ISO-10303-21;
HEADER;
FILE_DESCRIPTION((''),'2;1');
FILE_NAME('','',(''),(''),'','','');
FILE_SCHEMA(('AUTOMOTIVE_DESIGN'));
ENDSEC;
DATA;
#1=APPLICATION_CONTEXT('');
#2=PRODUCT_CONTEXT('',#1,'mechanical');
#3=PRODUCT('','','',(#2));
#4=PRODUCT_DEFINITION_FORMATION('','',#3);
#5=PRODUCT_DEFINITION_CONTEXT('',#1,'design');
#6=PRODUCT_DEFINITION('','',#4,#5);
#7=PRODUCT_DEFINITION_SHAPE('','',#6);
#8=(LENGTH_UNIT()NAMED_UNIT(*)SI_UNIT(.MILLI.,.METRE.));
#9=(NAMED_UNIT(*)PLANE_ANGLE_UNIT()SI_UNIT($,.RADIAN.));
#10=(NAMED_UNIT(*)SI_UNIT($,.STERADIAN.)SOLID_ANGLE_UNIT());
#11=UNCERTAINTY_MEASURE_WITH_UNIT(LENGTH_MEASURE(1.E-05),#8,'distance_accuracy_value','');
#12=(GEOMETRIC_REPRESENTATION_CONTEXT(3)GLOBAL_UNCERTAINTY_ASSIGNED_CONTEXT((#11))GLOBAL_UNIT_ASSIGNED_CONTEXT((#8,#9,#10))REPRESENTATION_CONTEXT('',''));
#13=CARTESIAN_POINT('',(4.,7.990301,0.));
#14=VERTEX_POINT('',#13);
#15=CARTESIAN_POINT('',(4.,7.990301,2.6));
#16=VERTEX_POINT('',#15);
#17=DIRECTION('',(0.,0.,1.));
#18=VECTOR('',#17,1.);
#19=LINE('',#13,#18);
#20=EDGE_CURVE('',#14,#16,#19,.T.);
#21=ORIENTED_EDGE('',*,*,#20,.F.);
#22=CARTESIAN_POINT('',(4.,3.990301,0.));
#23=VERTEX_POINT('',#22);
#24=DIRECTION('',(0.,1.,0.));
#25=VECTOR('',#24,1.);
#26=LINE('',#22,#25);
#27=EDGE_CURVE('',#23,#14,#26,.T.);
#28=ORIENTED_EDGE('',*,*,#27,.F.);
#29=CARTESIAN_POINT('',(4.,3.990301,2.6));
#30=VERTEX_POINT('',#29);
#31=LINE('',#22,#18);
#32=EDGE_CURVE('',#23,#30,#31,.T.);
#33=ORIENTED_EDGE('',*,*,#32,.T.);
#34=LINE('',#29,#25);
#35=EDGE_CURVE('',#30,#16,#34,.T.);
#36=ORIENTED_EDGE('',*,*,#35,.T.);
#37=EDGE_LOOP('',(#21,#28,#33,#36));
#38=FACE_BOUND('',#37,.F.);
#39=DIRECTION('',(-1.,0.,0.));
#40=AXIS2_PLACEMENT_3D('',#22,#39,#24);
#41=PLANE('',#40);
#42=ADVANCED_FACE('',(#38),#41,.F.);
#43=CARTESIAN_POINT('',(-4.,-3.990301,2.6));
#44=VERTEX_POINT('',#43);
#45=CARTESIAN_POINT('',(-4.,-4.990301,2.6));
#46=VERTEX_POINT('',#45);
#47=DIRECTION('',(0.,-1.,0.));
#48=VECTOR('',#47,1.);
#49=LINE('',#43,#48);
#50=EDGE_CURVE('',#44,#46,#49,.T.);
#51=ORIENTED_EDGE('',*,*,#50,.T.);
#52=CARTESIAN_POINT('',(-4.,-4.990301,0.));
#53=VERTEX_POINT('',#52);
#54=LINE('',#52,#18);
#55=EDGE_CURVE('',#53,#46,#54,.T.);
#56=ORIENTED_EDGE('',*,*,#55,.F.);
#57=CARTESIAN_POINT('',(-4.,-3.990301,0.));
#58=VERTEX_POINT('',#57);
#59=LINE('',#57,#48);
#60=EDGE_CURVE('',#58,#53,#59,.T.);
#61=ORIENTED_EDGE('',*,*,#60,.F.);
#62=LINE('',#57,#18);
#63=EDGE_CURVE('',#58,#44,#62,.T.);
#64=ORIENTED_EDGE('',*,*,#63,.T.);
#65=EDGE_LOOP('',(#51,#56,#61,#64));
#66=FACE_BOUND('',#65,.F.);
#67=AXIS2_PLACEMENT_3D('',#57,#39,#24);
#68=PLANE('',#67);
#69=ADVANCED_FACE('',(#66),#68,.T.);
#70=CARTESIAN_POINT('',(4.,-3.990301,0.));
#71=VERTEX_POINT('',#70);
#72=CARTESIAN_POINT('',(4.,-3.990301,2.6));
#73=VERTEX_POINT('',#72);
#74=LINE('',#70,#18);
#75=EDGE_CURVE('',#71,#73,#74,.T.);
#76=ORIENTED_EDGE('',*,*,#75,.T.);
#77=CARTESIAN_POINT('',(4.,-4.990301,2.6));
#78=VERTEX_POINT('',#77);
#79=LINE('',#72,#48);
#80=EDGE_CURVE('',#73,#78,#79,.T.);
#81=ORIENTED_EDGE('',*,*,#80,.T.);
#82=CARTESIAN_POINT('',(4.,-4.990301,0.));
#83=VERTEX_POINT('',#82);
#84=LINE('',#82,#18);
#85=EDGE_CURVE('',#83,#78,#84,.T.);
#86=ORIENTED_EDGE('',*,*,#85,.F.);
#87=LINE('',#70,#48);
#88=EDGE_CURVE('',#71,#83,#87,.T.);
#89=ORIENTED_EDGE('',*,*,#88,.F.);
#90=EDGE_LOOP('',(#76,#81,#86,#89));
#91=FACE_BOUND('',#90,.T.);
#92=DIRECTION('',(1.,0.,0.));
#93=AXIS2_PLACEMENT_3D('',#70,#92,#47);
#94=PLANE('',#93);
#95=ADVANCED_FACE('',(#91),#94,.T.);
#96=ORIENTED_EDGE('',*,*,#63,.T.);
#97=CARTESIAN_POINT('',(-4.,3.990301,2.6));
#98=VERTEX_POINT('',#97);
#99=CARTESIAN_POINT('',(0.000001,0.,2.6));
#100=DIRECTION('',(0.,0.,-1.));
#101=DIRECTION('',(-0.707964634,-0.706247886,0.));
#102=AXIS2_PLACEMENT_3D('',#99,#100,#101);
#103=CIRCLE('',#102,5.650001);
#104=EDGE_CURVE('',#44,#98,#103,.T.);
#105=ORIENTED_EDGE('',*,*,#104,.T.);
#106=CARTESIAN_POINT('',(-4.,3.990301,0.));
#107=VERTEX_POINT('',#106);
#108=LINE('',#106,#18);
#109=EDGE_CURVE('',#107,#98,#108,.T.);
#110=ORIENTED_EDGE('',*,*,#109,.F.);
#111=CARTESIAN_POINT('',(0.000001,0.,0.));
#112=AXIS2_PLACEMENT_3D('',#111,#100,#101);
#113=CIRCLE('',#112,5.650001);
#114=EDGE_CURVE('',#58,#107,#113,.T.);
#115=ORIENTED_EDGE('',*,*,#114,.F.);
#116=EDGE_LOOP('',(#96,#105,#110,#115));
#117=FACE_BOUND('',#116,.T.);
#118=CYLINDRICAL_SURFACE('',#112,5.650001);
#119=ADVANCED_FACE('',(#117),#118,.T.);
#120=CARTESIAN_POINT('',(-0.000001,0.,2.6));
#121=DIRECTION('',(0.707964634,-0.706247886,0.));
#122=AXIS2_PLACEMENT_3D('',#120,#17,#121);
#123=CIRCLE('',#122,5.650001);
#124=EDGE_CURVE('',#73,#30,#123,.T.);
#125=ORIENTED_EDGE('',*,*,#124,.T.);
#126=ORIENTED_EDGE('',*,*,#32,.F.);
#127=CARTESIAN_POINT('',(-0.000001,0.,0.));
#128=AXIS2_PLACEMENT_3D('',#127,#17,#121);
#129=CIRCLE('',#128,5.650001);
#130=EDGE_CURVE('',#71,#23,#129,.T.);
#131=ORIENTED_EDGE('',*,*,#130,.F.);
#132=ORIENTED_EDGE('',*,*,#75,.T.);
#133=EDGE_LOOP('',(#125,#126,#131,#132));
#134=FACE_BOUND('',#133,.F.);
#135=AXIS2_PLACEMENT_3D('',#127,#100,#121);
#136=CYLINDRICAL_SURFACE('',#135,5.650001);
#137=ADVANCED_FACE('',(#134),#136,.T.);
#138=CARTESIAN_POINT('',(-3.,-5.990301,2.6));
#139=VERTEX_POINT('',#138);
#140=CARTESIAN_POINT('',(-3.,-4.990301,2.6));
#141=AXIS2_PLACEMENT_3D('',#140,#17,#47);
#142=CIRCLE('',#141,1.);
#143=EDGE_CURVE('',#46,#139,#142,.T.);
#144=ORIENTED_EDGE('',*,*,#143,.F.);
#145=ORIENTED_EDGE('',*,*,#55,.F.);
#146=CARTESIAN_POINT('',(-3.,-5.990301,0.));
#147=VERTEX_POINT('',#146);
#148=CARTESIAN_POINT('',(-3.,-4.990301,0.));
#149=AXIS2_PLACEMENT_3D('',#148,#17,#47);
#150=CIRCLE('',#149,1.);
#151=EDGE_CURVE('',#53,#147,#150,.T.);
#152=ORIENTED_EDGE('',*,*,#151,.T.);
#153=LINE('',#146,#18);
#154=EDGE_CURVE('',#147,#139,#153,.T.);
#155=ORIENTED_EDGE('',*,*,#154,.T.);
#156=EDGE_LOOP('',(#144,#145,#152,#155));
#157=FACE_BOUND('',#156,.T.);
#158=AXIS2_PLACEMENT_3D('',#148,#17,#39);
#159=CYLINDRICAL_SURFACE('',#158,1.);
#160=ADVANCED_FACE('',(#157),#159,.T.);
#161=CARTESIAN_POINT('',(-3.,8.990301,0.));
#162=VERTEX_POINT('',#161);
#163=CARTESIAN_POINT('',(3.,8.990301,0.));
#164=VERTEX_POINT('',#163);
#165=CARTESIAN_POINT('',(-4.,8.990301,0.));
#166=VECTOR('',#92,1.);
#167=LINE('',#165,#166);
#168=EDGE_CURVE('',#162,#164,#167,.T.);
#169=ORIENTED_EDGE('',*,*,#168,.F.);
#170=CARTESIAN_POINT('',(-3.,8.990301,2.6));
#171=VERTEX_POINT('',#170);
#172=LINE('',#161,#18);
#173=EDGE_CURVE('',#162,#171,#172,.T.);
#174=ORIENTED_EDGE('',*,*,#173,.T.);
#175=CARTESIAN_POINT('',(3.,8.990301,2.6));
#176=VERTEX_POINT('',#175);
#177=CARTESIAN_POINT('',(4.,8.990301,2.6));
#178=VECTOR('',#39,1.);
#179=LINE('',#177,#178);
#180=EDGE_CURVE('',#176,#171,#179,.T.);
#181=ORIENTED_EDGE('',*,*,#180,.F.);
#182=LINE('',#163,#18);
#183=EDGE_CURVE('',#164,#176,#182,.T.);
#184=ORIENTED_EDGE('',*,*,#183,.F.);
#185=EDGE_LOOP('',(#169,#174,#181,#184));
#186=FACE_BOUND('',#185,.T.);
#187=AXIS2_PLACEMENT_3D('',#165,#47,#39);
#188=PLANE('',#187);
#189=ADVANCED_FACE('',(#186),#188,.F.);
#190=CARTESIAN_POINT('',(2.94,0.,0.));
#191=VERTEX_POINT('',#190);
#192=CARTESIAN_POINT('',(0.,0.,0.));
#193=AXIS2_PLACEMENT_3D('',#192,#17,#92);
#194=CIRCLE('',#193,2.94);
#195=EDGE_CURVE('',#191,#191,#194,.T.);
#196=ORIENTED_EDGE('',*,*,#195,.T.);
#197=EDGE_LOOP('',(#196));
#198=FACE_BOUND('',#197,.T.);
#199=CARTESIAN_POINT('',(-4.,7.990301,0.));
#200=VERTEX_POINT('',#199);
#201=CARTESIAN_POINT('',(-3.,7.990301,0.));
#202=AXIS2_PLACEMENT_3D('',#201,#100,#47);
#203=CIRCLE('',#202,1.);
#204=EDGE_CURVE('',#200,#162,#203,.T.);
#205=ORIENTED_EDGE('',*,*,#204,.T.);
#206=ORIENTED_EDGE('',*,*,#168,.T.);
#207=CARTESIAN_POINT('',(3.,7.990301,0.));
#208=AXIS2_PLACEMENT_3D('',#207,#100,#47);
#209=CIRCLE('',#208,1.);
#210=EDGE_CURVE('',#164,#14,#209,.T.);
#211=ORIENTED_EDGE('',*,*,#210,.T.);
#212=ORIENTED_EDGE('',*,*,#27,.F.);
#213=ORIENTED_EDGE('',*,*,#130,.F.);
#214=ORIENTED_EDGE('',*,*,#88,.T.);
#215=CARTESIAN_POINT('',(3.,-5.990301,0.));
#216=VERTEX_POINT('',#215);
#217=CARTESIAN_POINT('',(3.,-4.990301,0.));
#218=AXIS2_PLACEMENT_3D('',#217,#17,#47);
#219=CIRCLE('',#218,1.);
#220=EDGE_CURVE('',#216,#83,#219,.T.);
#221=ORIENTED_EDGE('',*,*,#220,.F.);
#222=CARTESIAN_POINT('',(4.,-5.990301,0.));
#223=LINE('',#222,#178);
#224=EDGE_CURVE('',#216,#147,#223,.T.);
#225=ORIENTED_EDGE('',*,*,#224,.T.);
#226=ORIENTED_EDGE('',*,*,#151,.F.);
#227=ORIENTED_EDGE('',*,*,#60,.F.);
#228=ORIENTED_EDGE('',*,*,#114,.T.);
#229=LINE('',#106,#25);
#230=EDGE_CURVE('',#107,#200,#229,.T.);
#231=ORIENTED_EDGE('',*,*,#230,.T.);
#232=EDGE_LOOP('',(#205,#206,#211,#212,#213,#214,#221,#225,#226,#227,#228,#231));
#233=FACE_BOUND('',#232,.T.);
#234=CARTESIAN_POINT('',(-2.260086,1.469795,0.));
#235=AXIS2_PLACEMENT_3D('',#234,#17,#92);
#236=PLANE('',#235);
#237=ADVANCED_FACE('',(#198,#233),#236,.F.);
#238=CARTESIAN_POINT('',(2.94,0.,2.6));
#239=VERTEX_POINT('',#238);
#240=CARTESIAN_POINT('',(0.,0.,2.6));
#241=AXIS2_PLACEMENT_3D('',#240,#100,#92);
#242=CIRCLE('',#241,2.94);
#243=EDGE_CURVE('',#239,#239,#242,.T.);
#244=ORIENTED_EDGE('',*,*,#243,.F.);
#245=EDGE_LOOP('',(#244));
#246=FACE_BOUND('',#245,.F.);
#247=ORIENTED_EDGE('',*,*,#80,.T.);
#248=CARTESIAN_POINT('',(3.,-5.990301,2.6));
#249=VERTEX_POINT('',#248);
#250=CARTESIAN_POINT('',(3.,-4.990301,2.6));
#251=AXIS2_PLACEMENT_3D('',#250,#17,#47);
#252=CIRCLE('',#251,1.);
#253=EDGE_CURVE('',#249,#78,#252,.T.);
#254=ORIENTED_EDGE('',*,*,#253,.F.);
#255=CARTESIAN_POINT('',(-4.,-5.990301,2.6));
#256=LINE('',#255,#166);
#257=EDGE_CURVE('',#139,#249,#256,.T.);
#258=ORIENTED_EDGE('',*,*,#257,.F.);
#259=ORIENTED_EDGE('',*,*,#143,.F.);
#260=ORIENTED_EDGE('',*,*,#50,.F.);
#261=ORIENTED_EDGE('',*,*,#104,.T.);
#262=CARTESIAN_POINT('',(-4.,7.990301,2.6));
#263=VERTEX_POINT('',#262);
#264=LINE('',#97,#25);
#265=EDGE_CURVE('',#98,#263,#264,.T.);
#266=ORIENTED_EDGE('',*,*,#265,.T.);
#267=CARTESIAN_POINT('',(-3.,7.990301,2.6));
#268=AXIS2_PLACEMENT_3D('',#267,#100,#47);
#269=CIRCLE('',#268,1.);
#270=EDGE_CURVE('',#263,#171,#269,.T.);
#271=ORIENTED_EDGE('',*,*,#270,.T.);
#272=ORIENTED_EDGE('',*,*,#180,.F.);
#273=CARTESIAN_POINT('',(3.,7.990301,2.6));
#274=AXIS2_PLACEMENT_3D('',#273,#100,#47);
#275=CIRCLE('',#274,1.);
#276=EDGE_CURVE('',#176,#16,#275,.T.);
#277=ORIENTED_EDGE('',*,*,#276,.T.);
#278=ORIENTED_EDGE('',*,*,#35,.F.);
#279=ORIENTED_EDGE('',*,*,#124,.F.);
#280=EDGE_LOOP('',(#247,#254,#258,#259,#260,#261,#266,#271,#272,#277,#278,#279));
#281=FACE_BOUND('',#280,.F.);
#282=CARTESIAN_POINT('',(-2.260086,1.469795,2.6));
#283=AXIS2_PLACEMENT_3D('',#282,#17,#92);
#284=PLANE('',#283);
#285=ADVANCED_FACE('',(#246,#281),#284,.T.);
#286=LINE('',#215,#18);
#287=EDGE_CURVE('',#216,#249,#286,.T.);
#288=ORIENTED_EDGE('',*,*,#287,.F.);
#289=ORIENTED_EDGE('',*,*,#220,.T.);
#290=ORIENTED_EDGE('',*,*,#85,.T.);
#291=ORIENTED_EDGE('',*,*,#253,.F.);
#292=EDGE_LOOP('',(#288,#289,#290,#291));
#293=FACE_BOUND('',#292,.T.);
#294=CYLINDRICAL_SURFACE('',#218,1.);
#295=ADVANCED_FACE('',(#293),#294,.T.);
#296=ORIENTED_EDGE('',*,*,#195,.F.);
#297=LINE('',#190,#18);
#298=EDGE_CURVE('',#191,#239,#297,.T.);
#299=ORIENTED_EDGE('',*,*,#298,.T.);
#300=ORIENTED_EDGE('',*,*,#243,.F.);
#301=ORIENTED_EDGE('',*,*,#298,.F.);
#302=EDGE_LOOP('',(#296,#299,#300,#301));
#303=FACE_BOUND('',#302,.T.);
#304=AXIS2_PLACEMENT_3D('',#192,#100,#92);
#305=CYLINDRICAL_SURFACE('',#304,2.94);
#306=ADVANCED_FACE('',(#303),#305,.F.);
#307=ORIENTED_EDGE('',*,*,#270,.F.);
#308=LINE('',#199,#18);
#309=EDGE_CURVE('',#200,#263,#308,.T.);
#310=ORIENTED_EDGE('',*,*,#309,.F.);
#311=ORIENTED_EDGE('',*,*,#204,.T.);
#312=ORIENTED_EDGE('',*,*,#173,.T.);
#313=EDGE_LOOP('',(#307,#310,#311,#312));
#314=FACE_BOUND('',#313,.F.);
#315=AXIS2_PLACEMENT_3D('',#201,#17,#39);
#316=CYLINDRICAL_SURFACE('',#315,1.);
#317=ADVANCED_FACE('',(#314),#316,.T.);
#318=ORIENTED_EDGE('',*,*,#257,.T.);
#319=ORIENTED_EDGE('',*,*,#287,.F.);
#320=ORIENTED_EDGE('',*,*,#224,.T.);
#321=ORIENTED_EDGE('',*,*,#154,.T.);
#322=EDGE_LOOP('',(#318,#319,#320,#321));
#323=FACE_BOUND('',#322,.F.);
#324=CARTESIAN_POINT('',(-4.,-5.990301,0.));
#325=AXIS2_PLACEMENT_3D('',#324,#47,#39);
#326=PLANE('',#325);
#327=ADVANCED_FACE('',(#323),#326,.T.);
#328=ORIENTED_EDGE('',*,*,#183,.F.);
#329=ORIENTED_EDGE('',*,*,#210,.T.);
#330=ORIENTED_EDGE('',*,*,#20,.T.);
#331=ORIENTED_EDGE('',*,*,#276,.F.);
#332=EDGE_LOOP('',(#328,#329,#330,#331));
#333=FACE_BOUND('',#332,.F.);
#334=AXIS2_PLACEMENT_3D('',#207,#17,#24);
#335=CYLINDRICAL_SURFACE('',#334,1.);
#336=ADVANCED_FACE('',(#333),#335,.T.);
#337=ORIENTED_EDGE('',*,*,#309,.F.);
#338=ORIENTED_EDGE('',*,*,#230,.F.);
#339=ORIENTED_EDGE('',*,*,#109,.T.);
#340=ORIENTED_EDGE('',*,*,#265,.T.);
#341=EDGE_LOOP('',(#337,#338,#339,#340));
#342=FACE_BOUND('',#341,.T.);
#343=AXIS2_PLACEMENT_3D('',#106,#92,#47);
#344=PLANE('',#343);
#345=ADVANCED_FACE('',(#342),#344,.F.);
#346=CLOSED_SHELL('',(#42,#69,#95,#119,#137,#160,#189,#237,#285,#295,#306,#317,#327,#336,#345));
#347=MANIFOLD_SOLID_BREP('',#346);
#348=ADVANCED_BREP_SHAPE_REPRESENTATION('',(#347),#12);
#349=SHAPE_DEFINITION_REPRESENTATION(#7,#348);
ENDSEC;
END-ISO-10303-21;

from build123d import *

# Parameters (mm, degrees)
PAD_DEPTH    = 2.6
SKETCH001_R  = 2.94
POCKET_DEPTH = 2.601
FILLET_R     = 1


with BuildPart() as part:
    # Sketch (on XY_Plane of Origin) → Pad (new body)
    with BuildSketch(Plane.XY):
        with BuildLine():
            ThreePointArc((4, -3.990301), (5.65, 0), (4, 3.990301))
            Line((4, 3.990301), (4, 8.990301))
            Line((4, 8.990301), (0, 8.990301))
            Line((0, 8.990301), (0, -5.990301))
            Line((4, -5.990301), (0, -5.990301))
            Line((4, -3.990301), (4, -5.990301))
        make_face()
    pad = extrude(amount=PAD_DEPTH)

    # Mirrored: Pad across Sketch V_Axis
    add(pad.mirror(Plane(origin=(0, 0, 0), x_dir=(0, 0, 1), z_dir=(1, 0, 0))))

    # Sketch001 (on XY_Plane of Origin) → Pocket (cut, through all)
    with BuildSketch(Plane.XY):
        Circle(SKETCH001_R)
    extrude(amount=POCKET_DEPTH, mode=Mode.SUBTRACT)

    # Fillet
    fillet_edges = [part.edges().sort_by_distance(p)[0] for p in [
        (-4, 8.990301, 1.3),
        (-4, -5.990301, 1.3),
        (4, -5.990301, 1.3),
        (4, 8.990301, 1.3),
    ]]
    fillet(fillet_edges, radius=FILLET_R)


solid = part.part
